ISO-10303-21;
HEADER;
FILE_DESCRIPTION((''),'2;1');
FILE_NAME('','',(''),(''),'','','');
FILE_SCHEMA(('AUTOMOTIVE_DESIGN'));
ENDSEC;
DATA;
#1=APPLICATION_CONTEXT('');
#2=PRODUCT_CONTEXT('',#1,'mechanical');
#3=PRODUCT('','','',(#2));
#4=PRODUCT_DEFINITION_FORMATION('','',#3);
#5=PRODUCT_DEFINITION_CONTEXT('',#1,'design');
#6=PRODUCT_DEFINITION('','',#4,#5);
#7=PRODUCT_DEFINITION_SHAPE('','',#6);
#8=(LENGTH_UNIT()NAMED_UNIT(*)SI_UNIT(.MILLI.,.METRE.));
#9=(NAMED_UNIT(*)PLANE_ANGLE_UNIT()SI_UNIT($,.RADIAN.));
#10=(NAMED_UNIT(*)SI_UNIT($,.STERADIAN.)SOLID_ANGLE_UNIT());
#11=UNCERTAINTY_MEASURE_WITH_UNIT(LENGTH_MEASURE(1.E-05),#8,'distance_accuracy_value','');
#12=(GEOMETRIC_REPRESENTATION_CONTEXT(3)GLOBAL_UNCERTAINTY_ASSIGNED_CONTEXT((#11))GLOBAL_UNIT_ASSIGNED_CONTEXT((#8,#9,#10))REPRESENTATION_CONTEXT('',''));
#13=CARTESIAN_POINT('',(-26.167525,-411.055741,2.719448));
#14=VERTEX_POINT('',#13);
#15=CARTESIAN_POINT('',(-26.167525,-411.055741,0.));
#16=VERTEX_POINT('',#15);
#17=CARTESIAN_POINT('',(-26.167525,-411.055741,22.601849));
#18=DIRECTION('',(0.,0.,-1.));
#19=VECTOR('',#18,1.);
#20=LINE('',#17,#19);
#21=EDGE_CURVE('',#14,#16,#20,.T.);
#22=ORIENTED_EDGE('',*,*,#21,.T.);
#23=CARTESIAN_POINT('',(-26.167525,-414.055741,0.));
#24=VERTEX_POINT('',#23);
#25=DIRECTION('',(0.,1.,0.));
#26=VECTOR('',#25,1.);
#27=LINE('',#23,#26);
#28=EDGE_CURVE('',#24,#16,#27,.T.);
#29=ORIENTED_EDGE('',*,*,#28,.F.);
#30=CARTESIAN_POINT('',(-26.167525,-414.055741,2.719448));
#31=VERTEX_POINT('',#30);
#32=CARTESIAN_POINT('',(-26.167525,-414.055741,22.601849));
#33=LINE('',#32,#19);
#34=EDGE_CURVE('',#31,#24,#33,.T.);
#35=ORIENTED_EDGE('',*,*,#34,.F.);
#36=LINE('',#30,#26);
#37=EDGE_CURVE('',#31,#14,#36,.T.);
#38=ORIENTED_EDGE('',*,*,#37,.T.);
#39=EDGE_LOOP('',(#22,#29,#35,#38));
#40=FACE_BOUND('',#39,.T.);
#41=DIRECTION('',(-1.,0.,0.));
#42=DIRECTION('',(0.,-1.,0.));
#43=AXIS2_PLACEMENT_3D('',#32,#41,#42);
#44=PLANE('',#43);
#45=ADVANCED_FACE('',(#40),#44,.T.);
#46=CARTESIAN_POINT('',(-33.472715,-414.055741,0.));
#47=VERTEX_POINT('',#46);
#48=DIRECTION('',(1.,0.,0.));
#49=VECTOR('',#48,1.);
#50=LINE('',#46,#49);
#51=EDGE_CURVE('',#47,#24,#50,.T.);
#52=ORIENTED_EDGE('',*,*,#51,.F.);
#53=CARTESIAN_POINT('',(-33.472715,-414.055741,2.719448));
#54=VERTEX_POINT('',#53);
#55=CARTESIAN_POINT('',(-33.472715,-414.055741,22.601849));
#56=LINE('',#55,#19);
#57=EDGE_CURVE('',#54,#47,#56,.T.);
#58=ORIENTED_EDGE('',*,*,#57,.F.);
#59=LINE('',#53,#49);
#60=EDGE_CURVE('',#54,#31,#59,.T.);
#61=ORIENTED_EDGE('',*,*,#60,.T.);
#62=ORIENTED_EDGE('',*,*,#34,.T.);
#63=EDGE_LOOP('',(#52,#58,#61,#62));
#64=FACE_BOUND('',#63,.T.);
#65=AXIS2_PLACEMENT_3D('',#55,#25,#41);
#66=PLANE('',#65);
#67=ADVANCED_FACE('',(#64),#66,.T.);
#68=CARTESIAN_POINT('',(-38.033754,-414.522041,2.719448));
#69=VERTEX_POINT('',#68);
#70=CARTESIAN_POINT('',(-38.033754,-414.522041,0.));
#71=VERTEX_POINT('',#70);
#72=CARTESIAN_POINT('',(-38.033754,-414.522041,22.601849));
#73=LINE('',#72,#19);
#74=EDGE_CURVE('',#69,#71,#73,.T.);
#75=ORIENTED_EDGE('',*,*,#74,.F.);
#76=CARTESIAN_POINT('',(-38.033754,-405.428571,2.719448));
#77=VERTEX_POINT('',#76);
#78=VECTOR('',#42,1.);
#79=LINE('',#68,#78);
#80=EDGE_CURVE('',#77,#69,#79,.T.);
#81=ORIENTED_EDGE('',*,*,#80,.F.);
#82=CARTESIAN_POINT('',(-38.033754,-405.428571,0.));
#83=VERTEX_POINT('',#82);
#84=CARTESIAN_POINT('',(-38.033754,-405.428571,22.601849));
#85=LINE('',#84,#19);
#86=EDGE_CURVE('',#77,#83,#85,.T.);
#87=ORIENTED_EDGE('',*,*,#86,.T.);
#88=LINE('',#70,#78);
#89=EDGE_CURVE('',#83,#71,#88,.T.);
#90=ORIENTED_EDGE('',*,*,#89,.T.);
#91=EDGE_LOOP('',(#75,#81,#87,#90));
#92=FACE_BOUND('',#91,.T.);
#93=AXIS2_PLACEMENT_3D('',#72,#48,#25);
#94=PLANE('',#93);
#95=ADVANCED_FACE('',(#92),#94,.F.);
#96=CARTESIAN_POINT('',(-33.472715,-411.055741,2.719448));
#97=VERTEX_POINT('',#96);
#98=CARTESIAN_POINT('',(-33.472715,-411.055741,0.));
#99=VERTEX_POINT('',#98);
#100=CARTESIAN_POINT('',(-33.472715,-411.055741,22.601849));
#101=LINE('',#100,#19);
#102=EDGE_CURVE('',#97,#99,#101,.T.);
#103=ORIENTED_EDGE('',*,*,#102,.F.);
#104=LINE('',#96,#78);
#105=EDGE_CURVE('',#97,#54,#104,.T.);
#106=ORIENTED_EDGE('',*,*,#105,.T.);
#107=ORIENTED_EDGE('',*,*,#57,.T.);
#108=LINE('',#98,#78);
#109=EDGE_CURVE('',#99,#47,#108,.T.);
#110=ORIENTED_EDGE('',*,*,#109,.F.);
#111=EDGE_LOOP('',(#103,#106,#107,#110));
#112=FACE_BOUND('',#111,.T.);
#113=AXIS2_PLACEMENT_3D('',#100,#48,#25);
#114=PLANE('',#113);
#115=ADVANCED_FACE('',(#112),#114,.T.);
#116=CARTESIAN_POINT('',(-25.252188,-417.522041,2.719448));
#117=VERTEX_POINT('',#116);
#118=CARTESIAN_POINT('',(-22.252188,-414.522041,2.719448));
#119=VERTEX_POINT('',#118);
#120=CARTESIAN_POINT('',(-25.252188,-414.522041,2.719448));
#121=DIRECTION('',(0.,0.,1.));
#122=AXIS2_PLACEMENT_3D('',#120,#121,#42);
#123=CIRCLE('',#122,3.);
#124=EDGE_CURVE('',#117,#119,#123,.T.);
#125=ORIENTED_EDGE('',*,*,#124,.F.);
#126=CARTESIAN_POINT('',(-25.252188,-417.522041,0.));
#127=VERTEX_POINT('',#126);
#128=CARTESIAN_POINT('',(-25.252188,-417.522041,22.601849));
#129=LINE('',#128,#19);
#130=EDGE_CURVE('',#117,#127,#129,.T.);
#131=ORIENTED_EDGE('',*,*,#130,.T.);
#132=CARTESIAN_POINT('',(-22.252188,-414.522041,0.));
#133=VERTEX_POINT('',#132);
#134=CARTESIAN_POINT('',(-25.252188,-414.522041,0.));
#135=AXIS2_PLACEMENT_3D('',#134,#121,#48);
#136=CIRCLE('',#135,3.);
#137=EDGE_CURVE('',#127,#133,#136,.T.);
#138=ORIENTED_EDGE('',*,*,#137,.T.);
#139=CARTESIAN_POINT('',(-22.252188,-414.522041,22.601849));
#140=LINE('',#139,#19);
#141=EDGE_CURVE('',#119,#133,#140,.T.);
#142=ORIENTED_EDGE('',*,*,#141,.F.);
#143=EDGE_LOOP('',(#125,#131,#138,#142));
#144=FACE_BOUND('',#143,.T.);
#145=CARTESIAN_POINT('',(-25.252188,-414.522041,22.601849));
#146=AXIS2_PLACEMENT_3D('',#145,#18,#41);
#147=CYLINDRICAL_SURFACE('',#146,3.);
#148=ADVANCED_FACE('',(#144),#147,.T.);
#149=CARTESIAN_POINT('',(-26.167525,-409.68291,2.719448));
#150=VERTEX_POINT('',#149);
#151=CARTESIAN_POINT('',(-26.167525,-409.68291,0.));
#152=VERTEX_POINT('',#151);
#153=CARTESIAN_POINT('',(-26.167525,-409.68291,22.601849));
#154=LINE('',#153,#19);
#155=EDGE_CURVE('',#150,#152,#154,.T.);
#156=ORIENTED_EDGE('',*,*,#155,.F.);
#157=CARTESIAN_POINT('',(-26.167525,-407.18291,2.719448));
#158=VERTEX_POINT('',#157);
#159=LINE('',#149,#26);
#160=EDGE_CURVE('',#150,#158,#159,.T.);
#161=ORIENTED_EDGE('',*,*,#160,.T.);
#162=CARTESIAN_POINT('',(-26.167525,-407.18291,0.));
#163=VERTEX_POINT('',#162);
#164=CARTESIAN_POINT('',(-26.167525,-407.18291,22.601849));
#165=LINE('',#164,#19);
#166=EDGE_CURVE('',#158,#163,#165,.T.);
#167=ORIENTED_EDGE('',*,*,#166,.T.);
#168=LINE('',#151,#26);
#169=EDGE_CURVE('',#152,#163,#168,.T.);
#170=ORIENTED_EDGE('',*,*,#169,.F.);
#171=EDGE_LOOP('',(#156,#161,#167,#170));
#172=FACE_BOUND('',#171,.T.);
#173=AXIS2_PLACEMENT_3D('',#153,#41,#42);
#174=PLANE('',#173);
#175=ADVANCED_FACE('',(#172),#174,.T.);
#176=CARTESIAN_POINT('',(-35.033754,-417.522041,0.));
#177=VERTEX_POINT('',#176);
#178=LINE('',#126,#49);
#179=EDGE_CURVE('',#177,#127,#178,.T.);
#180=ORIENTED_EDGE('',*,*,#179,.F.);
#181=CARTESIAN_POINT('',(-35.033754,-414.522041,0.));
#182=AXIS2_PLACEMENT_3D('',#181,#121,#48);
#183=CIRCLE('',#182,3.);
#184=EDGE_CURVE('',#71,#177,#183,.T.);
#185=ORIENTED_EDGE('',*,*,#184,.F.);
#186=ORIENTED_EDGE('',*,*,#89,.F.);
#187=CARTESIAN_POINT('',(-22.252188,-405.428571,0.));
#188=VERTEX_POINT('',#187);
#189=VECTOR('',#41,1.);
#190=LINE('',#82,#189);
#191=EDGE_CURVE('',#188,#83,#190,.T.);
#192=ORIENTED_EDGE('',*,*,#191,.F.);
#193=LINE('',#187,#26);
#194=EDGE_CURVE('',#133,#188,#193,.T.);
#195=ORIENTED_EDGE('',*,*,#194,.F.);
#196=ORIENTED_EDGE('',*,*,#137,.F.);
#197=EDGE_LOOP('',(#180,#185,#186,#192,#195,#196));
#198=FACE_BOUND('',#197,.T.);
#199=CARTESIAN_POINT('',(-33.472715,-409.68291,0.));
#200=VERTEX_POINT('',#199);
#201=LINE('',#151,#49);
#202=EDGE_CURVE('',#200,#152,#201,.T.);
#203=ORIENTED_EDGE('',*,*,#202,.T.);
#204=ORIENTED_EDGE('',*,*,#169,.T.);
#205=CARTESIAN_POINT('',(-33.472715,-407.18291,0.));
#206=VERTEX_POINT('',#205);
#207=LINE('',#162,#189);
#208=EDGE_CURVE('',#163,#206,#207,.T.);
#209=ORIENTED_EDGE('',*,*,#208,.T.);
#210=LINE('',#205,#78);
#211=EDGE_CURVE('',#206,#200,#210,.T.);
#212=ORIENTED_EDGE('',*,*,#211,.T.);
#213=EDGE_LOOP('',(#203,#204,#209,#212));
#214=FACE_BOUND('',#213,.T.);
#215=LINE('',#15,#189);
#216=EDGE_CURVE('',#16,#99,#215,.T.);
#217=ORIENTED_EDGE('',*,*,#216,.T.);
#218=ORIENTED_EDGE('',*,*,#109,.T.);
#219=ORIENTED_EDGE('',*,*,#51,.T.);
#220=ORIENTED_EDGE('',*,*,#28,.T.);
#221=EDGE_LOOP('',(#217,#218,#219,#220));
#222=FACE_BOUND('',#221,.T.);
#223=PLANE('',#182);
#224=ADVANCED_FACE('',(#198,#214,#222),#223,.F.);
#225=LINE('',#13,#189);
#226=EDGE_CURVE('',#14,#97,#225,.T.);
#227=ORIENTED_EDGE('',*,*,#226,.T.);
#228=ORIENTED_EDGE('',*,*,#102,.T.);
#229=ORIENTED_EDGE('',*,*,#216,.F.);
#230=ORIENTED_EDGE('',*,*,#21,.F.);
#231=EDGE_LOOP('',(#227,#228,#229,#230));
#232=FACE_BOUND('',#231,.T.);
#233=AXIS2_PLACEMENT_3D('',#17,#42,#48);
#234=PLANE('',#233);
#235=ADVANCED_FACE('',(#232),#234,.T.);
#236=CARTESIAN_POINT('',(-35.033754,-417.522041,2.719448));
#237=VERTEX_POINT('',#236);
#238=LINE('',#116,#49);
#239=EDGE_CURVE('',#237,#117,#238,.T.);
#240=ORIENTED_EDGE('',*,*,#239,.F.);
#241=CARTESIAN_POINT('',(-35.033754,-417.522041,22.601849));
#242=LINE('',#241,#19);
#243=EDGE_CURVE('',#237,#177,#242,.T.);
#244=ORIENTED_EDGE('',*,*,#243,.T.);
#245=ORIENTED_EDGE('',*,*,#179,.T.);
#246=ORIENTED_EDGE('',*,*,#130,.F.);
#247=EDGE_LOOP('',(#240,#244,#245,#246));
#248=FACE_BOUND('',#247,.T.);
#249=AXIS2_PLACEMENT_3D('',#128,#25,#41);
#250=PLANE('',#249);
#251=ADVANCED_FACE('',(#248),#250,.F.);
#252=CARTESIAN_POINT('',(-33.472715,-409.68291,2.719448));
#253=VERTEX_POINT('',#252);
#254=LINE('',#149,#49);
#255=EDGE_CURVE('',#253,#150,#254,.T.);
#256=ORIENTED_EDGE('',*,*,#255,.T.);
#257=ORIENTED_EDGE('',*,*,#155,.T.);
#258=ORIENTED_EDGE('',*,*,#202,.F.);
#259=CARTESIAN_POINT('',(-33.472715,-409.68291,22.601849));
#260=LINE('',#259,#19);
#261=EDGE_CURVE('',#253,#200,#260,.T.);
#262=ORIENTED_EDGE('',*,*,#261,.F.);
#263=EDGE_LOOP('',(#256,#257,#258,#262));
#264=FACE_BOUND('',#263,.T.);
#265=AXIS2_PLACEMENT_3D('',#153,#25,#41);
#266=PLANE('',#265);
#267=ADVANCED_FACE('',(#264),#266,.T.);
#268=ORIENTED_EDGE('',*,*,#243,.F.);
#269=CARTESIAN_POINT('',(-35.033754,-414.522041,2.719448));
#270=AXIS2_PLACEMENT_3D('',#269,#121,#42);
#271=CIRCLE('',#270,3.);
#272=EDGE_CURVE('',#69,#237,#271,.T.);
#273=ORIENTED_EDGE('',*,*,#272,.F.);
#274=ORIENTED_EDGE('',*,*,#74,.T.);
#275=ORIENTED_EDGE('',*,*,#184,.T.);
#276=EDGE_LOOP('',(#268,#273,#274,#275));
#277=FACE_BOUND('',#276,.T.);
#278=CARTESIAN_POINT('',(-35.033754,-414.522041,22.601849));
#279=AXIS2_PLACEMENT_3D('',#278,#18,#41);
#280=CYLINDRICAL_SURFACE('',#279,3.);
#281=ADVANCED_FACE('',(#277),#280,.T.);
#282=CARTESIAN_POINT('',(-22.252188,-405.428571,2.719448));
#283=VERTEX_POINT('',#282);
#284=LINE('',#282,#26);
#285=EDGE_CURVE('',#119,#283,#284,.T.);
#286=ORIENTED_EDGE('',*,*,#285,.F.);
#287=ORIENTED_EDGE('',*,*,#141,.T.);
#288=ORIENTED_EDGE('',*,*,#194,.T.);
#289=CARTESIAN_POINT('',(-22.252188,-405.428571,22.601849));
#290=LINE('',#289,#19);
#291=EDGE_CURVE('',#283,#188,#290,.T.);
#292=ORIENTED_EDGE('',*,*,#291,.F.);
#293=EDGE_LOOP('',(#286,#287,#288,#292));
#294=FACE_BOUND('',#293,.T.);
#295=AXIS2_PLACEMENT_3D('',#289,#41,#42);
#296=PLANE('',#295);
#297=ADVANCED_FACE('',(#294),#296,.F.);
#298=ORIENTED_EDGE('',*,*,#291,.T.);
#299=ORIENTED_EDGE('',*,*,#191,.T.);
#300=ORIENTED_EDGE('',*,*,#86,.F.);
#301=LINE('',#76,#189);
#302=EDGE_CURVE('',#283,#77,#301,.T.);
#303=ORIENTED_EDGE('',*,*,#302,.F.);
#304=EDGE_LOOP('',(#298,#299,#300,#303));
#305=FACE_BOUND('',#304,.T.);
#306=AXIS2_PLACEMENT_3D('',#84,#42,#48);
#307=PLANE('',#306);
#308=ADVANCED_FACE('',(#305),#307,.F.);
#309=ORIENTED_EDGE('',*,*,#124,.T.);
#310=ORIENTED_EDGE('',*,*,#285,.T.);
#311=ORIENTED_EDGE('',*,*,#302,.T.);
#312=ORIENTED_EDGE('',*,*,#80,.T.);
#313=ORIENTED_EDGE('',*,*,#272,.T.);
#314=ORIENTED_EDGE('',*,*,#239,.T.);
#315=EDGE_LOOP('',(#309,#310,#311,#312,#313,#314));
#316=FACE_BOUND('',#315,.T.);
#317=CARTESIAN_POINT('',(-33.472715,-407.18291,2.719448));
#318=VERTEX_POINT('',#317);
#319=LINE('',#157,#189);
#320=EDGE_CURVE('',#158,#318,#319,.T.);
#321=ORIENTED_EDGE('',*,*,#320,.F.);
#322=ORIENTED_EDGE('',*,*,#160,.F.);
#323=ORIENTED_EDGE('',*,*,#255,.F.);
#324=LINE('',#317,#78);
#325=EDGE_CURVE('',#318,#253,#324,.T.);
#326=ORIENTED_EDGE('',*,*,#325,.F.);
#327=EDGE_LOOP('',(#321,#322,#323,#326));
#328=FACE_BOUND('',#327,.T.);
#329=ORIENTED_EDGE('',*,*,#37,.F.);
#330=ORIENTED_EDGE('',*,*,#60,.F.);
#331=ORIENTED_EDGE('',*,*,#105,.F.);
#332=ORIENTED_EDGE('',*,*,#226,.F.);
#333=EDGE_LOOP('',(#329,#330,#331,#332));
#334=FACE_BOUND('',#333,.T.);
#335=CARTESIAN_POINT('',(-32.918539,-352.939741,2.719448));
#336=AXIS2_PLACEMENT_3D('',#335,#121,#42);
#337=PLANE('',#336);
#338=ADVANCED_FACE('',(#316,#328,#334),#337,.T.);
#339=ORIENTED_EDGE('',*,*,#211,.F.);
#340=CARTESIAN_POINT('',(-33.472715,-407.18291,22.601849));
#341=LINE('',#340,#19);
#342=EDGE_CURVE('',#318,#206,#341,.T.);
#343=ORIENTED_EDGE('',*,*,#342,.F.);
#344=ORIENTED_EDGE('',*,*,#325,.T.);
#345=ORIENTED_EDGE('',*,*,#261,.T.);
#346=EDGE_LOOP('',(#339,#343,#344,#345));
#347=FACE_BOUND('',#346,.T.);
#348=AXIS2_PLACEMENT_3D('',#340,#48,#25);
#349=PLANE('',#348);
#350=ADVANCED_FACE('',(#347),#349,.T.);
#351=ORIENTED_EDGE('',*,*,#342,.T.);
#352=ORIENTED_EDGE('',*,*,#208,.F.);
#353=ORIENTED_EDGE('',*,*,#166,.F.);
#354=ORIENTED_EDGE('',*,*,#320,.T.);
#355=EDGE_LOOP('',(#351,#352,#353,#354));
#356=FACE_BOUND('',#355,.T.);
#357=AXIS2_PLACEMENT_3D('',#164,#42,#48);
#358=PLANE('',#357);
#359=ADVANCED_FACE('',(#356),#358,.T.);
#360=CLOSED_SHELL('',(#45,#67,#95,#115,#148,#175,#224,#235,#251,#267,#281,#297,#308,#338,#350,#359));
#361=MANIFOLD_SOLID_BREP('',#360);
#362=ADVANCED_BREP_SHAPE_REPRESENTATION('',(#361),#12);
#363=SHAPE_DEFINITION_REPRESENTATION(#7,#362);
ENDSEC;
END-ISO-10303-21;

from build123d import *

# Parameters (mm, degrees)
SKETCH1_W           = 7.305190172
SKETCH1_H           = 3
SKETCH1_H_2         = 2.5
BOSS_EXTRUDE1_DEPTH = 2.719448


with BuildPart() as part:
    # Sketch1 → Boss-Extrude1 (new body)
    with BuildSketch(Plane.XY):
        with BuildLine():
            Line((-25.252187622, -417.522040931), (-35.0337538, -417.522040931))
            ThreePointArc((-35.0337538, -417.522040931), (-37.155074144, -416.643361274), (-38.0337538, -414.522040931))
            Line((-38.0337538, -414.522040931), (-38.0337538, -405.428571358))
            Line((-38.0337538, -405.428571358), (-22.252187622, -405.428571358))
            Line((-22.252187622, -405.428571358), (-22.252187622, -414.522040931))
            ThreePointArc((-22.252187622, -414.522040931), (-23.130867278, -416.643361274), (-25.252187622, -417.522040931))
        make_face()
        with Locations((-29.82012001, -412.555740742)):
            Rectangle(SKETCH1_W, SKETCH1_H, mode=Mode.SUBTRACT)
        with Locations((-29.82012001, -408.432910126)):
            Rectangle(SKETCH1_W, SKETCH1_H_2, mode=Mode.SUBTRACT)
    extrude(amount=BOSS_EXTRUDE1_DEPTH)


solid = part.part
